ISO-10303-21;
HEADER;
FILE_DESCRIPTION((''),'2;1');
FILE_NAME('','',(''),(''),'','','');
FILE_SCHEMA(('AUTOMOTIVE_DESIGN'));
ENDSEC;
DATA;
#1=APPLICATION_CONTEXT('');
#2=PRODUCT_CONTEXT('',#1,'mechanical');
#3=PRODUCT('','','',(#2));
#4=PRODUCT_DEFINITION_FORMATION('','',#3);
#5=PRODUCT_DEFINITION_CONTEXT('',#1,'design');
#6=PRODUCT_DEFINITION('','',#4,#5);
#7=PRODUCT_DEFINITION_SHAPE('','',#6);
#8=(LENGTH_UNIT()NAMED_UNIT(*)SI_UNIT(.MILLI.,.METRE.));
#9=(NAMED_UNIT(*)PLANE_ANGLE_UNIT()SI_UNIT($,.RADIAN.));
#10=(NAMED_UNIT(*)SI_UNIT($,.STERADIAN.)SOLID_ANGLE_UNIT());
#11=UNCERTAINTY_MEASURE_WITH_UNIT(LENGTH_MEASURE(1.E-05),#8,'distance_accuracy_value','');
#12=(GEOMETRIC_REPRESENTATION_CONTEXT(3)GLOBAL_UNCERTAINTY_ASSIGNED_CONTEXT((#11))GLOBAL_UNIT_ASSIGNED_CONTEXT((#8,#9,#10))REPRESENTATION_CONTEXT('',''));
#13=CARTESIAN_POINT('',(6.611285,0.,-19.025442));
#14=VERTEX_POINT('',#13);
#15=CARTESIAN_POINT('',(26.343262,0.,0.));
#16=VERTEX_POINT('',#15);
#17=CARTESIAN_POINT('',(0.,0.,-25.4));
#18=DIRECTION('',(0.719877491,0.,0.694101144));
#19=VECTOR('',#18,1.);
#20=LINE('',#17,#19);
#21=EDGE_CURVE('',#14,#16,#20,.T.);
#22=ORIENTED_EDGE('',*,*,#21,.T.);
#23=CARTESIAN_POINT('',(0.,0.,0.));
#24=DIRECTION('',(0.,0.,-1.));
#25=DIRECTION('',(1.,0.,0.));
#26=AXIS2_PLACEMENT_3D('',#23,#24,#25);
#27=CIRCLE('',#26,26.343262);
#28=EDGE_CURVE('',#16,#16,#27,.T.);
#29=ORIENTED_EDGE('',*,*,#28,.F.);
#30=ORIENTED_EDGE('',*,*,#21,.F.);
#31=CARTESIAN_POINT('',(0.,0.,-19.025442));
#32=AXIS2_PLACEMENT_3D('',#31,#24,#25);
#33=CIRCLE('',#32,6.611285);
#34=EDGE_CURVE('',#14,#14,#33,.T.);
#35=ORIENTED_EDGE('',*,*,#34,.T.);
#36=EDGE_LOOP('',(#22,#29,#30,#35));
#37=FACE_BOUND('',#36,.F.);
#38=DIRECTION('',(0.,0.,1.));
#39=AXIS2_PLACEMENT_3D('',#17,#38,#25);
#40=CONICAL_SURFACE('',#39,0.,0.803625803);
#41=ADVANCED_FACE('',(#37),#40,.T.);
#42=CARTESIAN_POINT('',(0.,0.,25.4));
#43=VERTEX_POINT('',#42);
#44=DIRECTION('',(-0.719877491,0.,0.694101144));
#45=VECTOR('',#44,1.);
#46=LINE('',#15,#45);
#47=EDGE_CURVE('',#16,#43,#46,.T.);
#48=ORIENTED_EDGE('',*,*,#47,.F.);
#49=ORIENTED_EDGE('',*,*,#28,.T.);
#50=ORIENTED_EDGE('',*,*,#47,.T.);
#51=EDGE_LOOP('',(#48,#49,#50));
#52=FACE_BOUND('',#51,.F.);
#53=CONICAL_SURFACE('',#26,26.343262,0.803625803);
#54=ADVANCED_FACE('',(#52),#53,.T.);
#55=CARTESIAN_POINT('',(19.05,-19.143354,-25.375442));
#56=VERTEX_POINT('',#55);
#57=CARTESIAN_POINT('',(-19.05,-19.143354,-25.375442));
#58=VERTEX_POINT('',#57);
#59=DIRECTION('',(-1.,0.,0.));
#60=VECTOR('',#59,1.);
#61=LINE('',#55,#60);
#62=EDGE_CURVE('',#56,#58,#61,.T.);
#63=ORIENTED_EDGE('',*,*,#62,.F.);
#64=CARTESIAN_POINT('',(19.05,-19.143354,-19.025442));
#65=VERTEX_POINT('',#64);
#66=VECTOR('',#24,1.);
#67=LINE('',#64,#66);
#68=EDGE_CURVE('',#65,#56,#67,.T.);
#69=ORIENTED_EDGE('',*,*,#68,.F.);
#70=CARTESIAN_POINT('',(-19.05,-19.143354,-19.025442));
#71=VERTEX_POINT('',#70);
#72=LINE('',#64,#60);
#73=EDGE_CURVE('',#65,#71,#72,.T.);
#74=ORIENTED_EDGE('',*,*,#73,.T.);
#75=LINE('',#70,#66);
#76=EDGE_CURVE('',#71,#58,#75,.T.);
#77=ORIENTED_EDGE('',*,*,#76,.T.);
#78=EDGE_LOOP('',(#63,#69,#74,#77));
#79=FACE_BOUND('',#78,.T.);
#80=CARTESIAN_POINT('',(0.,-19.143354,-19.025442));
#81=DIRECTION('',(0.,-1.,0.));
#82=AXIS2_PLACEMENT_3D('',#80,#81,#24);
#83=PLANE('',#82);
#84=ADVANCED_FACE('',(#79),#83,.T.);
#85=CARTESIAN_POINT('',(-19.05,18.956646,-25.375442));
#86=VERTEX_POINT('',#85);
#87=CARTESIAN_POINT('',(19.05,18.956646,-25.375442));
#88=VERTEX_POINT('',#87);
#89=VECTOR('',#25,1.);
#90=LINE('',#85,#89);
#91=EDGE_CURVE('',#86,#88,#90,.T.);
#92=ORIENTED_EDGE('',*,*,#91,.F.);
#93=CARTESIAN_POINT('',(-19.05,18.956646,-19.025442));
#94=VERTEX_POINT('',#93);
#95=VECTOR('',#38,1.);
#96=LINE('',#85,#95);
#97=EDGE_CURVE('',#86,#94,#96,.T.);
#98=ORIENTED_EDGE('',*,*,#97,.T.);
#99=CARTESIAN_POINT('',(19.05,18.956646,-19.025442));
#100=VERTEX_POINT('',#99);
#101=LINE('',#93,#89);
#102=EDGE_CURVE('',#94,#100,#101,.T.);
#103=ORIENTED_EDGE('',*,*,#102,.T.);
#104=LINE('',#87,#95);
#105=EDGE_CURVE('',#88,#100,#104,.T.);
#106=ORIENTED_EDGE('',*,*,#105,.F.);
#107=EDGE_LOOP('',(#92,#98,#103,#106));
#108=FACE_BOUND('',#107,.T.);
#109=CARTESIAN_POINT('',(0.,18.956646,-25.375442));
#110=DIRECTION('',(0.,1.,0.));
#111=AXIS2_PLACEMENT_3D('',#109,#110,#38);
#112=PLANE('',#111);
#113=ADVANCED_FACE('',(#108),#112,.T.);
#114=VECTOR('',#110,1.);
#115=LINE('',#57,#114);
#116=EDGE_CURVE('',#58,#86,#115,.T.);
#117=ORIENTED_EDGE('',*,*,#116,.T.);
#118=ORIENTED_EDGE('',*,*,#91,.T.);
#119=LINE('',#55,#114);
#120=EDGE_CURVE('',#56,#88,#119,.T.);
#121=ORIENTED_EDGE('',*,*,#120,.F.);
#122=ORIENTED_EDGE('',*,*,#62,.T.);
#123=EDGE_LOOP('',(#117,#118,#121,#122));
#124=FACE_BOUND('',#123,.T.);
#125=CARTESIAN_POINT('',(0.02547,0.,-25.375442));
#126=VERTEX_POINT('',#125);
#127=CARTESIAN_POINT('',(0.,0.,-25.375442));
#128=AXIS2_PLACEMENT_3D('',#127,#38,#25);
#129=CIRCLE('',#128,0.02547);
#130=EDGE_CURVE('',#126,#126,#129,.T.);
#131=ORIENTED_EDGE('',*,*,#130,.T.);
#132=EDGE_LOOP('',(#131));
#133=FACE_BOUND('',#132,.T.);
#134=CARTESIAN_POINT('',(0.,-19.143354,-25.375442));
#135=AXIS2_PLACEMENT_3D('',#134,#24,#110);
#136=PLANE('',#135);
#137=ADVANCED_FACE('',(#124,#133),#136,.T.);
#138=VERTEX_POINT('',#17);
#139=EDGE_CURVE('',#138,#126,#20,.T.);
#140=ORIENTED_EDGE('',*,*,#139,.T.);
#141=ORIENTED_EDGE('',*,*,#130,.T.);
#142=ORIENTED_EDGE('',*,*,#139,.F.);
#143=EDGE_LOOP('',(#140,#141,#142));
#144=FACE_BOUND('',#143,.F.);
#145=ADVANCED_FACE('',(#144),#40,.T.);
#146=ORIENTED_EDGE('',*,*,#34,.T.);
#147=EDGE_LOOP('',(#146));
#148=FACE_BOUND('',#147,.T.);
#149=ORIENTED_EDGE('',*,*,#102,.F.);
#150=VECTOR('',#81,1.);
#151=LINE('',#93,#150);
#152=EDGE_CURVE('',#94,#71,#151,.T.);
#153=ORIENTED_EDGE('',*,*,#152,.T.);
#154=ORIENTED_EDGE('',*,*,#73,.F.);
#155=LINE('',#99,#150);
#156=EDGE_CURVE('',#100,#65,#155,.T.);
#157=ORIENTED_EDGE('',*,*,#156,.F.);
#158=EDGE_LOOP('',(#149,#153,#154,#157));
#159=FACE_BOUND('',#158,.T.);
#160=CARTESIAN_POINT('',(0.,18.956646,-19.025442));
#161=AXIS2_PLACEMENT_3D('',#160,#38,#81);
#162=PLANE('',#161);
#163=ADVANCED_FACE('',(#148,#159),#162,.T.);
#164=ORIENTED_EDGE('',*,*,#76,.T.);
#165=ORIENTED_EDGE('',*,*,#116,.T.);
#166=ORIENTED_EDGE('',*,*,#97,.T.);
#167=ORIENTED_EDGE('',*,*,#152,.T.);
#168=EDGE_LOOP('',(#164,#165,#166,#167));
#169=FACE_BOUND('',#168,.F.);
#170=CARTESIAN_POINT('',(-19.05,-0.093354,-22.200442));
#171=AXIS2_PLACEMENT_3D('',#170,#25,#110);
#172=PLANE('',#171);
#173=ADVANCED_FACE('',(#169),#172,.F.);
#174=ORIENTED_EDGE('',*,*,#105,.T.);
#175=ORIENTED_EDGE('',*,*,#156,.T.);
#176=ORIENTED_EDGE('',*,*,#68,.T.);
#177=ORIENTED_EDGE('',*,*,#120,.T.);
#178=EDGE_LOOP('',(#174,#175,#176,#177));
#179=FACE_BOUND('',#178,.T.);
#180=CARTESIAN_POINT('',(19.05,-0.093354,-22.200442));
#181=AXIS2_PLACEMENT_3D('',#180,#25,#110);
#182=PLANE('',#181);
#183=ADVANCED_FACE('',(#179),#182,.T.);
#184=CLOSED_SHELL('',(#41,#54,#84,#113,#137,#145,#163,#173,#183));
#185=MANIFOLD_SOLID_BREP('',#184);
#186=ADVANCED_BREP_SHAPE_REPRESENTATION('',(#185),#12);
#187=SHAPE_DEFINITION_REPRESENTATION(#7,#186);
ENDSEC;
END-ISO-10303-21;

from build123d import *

# Parameters (mm, degrees)
F3_DEPTH      = 19.05
F3_DEPTH_BACK = 19.05


with BuildPart() as f1:
    # F0 (on Front) → F1 (revolve)
    with BuildSketch(Plane.XZ):
        Polygon((26.343262, 0), (0, 25.4), (0, -25.4), align=None)
    revolve(axis=Axis((0, 0, 0), (0, 0, -1)))

    # F2 (on Right) → F3 (join, two sides)
    with BuildSketch(Plane.YZ) as f3_sk:
        Polygon((-19.143354, -25.375442), (-0.093354, -25.375442), (18.956646, -25.375442), (18.956646, -19.025442), (-0.093354, -19.025442), (-19.143354, -19.025442), align=None)
    extrude(amount=F3_DEPTH)
    extrude(f3_sk.sketch, amount=-F3_DEPTH_BACK)


solid = f1.part
